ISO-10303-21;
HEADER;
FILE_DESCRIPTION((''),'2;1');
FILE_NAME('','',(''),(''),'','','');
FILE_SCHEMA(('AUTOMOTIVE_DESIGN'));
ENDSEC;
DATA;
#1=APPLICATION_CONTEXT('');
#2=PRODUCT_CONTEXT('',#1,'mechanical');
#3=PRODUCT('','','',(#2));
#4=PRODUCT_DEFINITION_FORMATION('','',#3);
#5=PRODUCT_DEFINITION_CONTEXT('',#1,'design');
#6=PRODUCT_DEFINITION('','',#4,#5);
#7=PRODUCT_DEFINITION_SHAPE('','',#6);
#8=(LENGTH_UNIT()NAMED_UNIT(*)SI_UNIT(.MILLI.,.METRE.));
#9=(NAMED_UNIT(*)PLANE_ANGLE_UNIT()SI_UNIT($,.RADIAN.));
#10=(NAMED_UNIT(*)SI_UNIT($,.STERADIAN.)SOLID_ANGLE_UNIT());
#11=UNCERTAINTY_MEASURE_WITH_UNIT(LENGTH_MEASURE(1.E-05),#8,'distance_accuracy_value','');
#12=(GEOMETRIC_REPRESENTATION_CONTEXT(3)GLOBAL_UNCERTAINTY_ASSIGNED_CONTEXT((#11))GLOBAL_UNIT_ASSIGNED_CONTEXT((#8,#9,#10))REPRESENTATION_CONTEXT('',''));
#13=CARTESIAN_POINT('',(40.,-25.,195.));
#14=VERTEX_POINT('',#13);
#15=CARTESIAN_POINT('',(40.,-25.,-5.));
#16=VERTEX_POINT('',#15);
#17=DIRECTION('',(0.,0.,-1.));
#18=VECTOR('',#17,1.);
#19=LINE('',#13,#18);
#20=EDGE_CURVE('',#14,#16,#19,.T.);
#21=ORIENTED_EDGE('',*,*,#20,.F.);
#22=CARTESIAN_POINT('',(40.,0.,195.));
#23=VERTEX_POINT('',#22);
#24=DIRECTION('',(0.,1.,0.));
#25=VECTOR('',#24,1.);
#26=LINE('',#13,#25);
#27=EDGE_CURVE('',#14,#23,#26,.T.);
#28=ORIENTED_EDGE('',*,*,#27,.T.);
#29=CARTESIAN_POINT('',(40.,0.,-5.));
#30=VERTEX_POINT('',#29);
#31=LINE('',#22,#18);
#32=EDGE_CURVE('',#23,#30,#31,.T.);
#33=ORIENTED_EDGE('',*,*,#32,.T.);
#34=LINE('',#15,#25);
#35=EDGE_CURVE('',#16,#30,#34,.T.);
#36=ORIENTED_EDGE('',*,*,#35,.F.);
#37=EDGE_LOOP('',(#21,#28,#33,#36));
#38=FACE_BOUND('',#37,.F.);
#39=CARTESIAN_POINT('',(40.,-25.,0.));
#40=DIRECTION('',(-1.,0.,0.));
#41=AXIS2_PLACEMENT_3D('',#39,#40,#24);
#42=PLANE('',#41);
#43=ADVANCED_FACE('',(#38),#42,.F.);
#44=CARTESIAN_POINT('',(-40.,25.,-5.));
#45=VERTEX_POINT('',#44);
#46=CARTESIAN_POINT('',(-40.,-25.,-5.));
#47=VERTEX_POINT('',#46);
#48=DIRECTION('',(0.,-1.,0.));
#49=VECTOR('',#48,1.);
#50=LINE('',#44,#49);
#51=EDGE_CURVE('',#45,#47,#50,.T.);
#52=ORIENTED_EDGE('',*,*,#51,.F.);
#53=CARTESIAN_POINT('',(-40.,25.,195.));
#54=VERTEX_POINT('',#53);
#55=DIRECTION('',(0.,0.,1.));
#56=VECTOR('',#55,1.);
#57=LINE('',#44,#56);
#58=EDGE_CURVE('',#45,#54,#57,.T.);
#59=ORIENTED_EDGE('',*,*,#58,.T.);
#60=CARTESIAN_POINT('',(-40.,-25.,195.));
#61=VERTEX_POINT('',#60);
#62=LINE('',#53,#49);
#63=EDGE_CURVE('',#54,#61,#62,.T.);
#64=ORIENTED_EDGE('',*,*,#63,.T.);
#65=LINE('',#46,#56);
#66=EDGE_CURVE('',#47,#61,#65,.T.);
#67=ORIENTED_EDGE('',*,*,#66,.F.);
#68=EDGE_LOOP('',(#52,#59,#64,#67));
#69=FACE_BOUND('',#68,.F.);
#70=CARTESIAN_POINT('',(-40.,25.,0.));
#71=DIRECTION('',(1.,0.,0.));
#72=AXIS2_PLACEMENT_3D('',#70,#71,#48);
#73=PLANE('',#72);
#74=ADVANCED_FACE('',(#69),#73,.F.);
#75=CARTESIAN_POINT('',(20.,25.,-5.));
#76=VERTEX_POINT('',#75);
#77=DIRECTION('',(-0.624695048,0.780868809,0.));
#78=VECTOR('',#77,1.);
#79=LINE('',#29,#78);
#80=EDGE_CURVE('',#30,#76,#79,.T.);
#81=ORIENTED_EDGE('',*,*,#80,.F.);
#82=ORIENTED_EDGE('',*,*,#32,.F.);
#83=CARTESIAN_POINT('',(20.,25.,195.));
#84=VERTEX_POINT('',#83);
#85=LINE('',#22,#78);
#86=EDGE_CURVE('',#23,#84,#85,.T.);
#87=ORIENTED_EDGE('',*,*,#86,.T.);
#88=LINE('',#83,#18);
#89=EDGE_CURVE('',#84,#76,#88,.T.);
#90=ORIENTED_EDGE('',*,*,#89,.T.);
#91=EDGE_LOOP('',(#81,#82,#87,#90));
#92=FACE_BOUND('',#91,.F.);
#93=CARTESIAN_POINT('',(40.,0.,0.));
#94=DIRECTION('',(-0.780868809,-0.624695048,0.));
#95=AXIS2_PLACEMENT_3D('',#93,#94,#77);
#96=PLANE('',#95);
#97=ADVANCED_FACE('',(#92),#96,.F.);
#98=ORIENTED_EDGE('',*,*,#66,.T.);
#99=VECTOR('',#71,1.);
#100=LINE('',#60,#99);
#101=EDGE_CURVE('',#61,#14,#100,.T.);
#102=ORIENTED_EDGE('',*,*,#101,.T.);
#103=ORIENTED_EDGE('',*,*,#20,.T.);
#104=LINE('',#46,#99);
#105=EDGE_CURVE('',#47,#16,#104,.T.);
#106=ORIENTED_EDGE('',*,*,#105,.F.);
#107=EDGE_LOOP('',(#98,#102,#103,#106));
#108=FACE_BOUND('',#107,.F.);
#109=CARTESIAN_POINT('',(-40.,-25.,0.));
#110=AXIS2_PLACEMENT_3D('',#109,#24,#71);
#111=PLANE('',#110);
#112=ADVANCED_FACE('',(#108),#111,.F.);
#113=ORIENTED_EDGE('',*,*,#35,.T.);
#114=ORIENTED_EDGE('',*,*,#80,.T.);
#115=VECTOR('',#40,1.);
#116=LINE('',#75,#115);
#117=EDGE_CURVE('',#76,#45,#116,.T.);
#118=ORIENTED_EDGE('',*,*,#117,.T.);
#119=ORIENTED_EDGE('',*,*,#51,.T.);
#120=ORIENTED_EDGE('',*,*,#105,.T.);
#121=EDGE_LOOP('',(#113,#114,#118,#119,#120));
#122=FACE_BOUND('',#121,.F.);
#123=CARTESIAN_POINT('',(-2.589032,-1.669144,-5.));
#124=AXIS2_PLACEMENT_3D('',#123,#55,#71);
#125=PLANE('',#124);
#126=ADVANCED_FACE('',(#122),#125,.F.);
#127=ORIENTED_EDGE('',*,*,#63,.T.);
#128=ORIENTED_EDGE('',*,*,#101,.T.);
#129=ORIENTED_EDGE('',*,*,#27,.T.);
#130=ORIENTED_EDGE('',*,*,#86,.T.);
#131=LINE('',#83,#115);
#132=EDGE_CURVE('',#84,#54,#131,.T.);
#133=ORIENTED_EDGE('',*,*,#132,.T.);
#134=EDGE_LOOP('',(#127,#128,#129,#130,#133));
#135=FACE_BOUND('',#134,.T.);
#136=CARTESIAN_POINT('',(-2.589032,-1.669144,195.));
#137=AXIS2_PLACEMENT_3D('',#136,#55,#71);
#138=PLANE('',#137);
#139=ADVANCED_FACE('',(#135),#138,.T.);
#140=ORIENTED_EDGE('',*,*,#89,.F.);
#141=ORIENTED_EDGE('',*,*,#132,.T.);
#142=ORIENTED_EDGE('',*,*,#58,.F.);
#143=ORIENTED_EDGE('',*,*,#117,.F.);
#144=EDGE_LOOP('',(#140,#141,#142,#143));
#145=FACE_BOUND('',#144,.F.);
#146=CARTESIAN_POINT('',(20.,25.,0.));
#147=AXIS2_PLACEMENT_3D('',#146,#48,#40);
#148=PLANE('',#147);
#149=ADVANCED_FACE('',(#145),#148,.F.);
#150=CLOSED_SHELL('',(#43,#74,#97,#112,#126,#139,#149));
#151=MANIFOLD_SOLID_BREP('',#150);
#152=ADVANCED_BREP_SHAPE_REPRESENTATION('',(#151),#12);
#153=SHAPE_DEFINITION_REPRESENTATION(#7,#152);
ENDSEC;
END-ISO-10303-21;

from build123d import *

# Parameters (mm, degrees)
F1_DEPTH = 5
F2_DEPTH = 195


with BuildPart() as f1:
    # F0 (on Top) → F1 (new body)
    with BuildSketch(Plane.XY):
        Polygon((20, 25), (-40, 25), (-40, -25), (-35, -25), (35, -25), (40, -25), (40, 0), align=None)
    extrude(amount=-F1_DEPTH)

    # F0 (on Top) → F2 (join)
    with BuildSketch(Plane.XY):
        Polygon((20, 25), (-40, 25), (-40, -25), (-35, -25), (35, -25), (40, -25), (40, 0), align=None)
    extrude(amount=F2_DEPTH)


solid = f1.part
